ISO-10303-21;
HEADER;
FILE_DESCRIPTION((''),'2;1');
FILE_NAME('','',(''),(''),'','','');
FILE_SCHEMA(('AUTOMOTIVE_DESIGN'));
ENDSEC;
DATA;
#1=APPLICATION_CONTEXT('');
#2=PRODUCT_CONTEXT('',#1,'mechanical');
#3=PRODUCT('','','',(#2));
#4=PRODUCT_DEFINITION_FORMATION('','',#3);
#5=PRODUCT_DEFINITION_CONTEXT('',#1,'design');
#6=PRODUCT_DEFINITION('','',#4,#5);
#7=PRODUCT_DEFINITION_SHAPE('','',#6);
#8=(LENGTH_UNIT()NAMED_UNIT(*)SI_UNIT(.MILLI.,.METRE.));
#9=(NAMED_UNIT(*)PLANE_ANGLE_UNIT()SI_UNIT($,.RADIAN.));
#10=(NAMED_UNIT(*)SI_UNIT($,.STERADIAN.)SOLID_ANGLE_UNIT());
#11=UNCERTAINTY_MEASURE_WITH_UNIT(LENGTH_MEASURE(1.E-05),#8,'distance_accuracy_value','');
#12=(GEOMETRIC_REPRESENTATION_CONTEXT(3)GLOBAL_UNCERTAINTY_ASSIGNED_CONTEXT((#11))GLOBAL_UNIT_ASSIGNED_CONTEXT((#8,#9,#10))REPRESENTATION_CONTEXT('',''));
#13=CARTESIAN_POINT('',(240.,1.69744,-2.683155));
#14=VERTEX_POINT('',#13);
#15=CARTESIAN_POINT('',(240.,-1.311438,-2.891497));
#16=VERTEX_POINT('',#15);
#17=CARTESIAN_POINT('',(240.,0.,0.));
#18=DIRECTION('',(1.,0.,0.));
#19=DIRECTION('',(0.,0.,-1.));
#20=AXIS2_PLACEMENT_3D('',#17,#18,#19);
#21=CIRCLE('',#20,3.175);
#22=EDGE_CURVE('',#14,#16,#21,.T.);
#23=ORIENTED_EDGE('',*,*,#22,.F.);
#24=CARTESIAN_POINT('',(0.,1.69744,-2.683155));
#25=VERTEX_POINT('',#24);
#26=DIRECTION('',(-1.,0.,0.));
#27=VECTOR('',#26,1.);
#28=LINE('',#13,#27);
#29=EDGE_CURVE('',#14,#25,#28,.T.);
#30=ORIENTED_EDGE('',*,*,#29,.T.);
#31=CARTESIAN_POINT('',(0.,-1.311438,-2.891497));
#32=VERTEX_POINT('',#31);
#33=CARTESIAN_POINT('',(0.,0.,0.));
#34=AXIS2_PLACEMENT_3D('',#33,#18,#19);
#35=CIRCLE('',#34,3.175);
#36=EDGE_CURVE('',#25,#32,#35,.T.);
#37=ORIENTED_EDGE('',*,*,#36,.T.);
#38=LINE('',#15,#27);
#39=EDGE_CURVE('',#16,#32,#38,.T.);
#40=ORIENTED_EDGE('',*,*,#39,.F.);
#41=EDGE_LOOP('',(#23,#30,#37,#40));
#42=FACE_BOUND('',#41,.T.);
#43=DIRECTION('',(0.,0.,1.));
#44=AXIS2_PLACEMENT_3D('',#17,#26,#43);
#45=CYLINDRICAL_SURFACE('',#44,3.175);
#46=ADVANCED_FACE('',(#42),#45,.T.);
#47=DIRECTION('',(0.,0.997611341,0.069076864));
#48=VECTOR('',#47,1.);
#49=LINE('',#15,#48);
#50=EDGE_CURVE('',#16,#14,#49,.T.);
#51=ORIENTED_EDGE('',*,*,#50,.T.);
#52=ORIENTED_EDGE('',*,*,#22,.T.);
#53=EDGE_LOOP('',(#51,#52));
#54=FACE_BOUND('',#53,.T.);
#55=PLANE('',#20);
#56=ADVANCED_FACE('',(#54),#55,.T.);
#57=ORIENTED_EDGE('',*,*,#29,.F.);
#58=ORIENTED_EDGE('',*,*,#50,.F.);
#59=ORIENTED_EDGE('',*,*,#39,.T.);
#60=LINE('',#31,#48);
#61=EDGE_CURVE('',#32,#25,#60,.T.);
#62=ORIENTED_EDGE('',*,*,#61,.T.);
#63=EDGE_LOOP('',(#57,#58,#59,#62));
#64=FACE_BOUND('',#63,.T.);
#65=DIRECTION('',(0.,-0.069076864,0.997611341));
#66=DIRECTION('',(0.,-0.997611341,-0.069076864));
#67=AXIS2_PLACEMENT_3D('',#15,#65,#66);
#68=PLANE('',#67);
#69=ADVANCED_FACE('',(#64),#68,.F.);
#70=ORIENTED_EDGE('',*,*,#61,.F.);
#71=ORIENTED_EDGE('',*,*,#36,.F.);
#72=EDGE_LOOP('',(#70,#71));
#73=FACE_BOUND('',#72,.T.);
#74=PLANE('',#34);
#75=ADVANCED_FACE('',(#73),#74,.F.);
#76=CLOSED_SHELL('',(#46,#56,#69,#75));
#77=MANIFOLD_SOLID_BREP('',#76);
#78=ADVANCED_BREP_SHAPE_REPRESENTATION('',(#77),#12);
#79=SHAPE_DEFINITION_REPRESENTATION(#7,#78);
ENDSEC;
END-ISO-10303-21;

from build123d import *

# Parameters (mm, degrees)
BOSS_EXTRU_1_DEPTH = 240


with BuildPart() as part:
    # Esquisse1 → Boss.-Extru.1 (new body)
    with BuildSketch(Plane(origin=(0, 0, 0), x_dir=(0, 0, -1), z_dir=(1, 0, 0))):
        with BuildLine():
            Line((2.891496859, -1.31143849), (2.683155312, 1.697440006))
            ThreePointArc((2.683155312, 1.697440006), (-3.167416006, -0.219319043), (2.891496859, -1.31143849))
        make_face()
    extrude(amount=BOSS_EXTRU_1_DEPTH)


solid = part.part
